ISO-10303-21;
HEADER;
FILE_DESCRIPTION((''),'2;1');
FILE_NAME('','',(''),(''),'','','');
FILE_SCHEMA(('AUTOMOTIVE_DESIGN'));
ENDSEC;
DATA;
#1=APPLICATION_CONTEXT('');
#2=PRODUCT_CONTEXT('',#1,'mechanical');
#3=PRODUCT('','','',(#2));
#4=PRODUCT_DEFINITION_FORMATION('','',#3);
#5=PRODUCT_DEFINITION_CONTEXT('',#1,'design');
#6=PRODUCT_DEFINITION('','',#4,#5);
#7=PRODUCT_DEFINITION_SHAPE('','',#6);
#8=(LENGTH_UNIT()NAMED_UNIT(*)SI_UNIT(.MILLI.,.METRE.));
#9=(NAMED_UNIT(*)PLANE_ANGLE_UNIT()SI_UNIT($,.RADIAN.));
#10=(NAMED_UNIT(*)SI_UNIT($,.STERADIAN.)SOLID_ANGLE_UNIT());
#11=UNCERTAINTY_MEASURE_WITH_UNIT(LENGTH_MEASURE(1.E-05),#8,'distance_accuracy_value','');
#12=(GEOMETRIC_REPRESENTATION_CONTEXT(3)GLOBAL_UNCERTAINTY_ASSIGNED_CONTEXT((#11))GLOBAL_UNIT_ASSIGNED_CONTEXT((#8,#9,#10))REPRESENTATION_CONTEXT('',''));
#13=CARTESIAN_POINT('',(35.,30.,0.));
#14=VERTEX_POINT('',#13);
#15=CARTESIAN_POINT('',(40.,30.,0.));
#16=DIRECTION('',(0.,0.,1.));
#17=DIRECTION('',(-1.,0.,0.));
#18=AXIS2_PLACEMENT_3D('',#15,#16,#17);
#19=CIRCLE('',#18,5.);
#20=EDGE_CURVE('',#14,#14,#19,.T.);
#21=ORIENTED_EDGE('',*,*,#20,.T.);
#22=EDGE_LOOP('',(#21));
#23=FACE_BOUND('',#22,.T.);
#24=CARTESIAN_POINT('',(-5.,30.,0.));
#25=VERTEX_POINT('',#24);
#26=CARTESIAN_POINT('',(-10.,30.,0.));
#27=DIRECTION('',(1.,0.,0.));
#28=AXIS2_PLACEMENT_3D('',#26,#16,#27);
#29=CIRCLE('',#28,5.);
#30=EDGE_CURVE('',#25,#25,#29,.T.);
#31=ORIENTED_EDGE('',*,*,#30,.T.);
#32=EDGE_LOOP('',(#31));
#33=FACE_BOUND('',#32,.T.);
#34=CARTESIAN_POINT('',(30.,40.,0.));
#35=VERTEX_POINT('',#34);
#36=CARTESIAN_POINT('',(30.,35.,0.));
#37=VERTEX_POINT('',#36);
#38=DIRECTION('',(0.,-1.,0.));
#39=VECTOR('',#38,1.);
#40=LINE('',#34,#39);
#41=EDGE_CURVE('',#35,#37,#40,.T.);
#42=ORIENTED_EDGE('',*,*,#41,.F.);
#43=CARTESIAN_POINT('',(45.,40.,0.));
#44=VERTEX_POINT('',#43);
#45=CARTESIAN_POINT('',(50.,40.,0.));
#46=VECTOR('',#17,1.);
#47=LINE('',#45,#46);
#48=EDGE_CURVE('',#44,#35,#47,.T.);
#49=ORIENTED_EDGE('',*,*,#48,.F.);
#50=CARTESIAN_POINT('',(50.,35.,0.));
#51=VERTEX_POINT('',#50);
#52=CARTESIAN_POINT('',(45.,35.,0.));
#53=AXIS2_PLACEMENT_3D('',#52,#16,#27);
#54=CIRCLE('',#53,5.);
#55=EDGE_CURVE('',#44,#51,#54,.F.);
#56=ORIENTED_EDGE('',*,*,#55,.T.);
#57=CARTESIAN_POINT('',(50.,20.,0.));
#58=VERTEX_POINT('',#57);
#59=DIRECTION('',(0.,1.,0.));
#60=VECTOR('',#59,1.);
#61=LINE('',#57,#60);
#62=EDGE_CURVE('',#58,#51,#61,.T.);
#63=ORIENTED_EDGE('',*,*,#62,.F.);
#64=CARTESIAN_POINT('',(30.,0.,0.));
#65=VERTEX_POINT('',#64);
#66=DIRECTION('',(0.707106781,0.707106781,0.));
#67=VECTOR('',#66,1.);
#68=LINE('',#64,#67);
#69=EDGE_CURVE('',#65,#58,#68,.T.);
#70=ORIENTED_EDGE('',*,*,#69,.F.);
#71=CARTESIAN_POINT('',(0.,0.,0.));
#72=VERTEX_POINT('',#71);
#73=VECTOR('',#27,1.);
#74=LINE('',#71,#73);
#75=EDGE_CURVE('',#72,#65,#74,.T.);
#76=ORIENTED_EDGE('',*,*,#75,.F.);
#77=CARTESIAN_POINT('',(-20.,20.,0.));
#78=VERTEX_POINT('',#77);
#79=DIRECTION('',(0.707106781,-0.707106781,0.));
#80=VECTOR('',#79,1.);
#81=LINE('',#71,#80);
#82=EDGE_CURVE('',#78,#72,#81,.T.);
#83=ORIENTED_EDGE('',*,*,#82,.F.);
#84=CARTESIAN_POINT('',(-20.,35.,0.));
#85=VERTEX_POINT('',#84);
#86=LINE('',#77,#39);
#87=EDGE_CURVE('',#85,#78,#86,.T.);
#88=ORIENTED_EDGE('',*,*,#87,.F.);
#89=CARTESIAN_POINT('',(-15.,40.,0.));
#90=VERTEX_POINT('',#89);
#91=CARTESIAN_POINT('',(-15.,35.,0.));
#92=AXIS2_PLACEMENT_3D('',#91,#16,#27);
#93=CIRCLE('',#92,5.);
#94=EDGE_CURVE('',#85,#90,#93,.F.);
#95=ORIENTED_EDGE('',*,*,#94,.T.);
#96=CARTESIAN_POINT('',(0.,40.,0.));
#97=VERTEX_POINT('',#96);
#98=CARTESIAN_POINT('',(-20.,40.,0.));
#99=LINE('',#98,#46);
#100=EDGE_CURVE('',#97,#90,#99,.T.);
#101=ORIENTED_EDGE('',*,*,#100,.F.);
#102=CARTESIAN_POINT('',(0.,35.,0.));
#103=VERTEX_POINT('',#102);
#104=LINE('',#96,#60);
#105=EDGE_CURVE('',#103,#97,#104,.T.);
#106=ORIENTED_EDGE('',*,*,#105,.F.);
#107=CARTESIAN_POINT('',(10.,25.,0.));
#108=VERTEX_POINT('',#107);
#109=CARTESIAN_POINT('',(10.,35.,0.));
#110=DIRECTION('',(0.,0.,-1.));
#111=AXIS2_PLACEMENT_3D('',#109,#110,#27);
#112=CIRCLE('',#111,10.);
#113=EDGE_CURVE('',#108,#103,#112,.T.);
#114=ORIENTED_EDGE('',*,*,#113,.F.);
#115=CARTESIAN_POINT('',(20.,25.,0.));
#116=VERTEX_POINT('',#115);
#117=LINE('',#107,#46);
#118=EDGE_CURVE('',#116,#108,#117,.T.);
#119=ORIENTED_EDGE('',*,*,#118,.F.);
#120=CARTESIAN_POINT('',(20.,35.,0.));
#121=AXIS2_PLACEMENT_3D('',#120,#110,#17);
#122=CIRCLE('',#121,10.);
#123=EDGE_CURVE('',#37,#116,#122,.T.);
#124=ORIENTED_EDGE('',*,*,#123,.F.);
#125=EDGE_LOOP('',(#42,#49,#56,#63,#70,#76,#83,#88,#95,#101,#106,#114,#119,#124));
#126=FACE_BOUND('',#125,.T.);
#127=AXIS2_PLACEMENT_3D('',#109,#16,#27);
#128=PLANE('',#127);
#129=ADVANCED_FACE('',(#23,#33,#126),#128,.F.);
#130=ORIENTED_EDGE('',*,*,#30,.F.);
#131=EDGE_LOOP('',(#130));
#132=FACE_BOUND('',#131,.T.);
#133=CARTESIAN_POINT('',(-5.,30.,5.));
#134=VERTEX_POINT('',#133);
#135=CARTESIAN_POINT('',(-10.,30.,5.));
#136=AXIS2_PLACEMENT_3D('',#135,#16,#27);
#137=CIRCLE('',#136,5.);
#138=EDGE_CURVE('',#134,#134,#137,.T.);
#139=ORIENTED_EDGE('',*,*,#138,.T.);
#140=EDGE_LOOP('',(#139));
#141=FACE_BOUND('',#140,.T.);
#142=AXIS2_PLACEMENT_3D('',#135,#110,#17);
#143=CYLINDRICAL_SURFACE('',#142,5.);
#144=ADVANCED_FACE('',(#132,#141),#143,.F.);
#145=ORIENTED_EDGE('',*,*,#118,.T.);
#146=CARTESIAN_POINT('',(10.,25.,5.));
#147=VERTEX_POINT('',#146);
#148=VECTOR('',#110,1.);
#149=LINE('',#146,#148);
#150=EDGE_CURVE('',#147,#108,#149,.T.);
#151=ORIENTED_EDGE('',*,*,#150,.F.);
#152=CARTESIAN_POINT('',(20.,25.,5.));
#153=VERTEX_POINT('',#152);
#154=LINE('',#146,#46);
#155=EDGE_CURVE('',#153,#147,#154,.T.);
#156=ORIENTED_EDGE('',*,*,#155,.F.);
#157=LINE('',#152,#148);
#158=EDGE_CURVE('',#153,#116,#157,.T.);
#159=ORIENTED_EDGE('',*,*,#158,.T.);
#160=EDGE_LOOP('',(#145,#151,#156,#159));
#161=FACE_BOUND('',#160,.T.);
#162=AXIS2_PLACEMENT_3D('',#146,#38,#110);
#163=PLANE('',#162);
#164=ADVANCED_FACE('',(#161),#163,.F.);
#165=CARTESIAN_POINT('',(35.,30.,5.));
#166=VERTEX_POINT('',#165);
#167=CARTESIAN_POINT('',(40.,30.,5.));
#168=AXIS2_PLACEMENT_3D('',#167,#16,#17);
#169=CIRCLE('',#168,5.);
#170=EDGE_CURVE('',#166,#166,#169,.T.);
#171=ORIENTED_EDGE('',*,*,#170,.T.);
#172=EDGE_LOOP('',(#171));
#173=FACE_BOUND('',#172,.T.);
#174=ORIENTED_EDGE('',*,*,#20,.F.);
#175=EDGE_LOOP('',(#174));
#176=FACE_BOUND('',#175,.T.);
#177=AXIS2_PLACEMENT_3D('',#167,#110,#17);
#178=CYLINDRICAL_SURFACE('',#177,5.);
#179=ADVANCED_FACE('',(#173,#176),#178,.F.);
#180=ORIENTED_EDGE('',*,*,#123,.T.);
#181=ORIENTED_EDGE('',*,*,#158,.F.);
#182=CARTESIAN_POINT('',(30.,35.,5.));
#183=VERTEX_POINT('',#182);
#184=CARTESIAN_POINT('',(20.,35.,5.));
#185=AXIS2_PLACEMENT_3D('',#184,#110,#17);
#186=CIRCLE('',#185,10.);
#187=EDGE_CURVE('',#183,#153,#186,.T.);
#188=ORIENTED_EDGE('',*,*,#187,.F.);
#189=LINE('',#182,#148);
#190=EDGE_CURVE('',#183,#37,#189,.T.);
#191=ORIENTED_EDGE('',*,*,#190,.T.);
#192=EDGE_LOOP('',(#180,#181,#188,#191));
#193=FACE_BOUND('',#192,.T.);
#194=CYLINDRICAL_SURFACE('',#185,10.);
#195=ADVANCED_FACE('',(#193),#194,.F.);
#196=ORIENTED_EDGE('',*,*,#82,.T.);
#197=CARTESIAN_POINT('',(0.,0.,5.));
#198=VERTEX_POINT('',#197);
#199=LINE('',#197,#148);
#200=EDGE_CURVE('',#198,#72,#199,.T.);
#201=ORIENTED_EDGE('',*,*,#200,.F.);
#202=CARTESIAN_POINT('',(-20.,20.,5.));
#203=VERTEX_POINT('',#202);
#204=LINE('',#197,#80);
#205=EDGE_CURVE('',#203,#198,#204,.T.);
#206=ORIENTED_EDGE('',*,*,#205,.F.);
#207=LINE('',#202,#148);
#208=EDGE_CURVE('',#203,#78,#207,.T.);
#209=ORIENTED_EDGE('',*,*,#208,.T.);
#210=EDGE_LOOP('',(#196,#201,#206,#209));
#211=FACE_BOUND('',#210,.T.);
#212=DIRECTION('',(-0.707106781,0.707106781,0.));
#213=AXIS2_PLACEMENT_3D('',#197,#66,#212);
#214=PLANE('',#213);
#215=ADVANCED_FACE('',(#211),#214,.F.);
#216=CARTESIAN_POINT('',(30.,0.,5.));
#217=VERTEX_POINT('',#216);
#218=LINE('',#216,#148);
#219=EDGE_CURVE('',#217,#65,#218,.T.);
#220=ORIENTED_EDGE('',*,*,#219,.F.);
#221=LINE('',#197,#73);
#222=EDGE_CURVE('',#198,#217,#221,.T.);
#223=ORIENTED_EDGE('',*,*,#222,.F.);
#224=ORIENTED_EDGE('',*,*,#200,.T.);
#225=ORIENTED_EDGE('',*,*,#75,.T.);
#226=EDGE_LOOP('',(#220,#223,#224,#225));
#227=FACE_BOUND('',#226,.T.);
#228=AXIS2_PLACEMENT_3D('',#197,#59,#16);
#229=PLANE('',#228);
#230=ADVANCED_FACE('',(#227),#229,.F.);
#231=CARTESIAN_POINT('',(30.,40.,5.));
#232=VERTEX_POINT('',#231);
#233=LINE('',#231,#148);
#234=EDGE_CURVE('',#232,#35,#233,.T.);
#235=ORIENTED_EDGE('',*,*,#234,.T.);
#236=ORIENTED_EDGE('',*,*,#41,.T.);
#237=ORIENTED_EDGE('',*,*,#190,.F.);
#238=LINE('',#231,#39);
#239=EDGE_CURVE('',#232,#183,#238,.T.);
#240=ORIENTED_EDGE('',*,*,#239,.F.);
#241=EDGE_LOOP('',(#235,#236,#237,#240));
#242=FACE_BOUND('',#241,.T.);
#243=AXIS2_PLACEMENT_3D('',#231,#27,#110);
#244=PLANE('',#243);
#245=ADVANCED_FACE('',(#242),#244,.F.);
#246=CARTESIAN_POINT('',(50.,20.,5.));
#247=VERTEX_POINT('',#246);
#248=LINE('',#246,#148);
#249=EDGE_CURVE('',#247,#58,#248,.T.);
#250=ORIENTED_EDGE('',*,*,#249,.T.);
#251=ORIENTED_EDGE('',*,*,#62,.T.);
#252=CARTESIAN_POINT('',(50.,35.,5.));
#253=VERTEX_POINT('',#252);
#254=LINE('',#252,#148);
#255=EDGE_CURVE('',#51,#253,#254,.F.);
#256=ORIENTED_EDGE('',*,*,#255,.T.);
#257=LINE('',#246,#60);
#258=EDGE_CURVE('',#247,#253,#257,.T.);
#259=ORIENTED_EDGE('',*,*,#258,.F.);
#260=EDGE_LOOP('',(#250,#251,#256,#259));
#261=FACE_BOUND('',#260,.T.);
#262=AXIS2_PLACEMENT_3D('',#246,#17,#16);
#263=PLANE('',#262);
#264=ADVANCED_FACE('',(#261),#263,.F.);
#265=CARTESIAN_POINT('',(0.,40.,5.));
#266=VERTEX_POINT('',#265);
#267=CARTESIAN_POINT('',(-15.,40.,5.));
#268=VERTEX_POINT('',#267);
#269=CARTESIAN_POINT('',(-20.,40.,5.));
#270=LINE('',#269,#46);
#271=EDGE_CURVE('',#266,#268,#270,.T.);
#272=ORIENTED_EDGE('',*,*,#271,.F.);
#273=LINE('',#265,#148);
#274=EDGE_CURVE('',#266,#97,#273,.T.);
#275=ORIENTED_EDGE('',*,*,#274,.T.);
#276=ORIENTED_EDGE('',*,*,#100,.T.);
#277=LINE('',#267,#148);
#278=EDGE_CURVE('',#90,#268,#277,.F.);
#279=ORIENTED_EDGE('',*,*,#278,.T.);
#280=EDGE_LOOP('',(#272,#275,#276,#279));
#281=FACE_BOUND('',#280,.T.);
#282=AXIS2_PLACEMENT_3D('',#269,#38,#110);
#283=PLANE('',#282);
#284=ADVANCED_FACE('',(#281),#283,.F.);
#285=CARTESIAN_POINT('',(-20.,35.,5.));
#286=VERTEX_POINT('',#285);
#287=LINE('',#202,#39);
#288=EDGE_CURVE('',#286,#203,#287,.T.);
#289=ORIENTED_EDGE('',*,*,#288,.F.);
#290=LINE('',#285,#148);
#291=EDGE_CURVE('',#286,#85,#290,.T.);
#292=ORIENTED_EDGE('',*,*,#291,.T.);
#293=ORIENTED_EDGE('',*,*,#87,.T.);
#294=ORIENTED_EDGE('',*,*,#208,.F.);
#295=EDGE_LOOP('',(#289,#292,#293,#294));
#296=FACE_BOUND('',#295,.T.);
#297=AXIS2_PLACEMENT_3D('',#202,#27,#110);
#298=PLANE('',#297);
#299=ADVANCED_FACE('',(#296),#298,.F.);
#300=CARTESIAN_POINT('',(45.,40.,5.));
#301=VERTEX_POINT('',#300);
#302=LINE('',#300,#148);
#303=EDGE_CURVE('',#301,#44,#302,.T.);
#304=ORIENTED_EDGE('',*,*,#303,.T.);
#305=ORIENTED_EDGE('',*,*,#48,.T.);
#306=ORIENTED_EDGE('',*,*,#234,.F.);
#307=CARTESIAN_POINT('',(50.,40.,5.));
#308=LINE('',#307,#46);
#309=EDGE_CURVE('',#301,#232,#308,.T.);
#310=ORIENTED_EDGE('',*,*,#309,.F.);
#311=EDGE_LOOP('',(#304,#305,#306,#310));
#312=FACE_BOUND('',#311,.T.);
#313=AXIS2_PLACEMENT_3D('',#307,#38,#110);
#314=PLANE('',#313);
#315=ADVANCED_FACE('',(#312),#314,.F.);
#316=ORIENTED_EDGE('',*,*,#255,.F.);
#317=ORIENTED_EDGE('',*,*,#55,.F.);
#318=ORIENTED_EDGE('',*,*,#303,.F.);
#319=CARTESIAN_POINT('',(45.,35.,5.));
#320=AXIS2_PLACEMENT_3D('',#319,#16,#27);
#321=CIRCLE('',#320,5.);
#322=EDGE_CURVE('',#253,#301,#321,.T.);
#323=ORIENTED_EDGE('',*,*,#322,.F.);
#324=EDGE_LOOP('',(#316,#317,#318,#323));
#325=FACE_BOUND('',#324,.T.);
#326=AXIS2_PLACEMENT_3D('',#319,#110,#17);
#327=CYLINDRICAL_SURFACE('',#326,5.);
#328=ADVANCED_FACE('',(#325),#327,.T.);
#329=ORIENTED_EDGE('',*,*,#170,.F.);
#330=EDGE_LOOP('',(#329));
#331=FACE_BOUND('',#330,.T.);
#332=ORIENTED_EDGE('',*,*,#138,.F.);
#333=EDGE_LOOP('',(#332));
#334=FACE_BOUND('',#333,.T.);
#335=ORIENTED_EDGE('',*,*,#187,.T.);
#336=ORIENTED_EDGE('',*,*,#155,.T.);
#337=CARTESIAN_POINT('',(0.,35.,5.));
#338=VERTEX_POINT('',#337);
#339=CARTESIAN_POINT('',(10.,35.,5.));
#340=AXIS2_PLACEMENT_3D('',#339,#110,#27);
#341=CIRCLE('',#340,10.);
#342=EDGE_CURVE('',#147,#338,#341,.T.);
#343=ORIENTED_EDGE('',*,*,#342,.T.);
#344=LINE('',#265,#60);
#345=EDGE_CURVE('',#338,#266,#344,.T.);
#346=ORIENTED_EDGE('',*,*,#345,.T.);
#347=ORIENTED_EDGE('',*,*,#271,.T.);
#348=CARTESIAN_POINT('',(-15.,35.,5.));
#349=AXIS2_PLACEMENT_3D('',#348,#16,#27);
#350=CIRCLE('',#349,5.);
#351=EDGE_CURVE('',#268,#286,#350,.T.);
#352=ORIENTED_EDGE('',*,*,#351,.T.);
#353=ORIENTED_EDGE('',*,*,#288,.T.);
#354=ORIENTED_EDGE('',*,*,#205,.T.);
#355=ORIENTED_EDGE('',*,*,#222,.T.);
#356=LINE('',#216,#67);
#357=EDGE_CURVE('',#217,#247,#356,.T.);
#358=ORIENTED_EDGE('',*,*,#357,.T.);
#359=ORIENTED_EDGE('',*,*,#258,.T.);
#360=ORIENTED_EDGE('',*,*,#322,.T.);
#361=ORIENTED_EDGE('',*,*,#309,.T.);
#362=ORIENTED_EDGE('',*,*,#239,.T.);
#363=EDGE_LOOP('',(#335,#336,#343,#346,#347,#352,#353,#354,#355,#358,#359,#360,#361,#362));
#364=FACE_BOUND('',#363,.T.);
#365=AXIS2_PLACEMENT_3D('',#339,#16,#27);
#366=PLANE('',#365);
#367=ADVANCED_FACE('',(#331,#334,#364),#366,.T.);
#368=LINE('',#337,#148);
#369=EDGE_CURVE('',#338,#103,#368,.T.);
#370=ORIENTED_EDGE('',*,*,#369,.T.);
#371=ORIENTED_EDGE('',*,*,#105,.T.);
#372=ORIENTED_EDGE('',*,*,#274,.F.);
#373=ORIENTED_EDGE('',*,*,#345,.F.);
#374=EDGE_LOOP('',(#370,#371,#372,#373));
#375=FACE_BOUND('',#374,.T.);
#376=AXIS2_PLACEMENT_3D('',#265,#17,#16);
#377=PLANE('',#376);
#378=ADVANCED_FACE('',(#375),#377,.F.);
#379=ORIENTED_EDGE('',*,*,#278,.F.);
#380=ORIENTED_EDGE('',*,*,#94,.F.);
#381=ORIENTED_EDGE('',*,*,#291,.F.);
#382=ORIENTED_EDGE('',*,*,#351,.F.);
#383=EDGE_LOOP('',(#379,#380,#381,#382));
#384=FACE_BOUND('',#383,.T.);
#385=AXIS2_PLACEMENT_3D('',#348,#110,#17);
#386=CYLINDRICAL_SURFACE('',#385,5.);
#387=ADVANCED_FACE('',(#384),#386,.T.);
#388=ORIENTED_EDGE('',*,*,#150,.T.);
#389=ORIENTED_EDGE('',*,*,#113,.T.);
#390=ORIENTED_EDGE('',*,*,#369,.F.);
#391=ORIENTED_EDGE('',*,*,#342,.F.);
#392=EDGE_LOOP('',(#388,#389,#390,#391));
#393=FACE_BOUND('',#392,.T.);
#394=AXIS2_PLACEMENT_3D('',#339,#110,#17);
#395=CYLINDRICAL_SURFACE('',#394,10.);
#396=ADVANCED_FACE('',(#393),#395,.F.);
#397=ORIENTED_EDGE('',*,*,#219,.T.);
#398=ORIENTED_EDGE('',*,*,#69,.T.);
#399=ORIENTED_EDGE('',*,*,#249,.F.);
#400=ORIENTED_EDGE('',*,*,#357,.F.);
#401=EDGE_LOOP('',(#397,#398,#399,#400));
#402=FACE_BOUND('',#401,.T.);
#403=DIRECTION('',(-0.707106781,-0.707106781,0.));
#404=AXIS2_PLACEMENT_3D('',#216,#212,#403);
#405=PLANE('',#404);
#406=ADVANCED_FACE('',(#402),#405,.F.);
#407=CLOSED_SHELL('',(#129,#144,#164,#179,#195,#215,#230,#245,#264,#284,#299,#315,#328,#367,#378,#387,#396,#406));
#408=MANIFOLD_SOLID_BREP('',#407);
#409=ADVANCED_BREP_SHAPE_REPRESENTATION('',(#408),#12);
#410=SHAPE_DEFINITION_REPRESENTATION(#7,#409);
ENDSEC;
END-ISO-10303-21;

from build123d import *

# Parameters (mm, degrees)
SKETCH1_R           = 5
BOSS_EXTRUDE1_DEPTH = 5
FILLET1_R           = 5


with BuildPart() as part:
    # Sketch1 → Boss-Extrude1 (new body)
    with BuildSketch(Plane.XY):
        with BuildLine():
            Line((0, 0), (30, 0))
            Line((30, 0), (50, 20))
            Line((50, 20), (50, 40))
            Line((50, 40), (30, 40))
            Line((30, 40), (30, 35))
            ThreePointArc((30, 35), (27.071067812, 27.928932188), (20, 25))
            Line((20, 25), (10, 25))
            ThreePointArc((10, 25), (2.928932188, 27.928932188), (0, 35))
            Line((0, 35), (0, 40))
            Line((0, 40), (-20, 40))
            Line((-20, 40), (-20, 20))
            Line((-20, 20), (0, 0))
        make_face()
        with Locations((-10, 30)):
            Circle(SKETCH1_R, mode=Mode.SUBTRACT)
        with Locations(Location((40, 30, 0), (0, 0, 180))):
            Circle(SKETCH1_R, mode=Mode.SUBTRACT)
    extrude(amount=BOSS_EXTRUDE1_DEPTH)

    # Fillet1
    fillet1_edges = [part.edges().sort_by_distance(p)[0] for p in [
        (50, 40, 2.5),
        (-20, 40, 2.5),
    ]]
    fillet(fillet1_edges, radius=FILLET1_R)


solid = part.part
